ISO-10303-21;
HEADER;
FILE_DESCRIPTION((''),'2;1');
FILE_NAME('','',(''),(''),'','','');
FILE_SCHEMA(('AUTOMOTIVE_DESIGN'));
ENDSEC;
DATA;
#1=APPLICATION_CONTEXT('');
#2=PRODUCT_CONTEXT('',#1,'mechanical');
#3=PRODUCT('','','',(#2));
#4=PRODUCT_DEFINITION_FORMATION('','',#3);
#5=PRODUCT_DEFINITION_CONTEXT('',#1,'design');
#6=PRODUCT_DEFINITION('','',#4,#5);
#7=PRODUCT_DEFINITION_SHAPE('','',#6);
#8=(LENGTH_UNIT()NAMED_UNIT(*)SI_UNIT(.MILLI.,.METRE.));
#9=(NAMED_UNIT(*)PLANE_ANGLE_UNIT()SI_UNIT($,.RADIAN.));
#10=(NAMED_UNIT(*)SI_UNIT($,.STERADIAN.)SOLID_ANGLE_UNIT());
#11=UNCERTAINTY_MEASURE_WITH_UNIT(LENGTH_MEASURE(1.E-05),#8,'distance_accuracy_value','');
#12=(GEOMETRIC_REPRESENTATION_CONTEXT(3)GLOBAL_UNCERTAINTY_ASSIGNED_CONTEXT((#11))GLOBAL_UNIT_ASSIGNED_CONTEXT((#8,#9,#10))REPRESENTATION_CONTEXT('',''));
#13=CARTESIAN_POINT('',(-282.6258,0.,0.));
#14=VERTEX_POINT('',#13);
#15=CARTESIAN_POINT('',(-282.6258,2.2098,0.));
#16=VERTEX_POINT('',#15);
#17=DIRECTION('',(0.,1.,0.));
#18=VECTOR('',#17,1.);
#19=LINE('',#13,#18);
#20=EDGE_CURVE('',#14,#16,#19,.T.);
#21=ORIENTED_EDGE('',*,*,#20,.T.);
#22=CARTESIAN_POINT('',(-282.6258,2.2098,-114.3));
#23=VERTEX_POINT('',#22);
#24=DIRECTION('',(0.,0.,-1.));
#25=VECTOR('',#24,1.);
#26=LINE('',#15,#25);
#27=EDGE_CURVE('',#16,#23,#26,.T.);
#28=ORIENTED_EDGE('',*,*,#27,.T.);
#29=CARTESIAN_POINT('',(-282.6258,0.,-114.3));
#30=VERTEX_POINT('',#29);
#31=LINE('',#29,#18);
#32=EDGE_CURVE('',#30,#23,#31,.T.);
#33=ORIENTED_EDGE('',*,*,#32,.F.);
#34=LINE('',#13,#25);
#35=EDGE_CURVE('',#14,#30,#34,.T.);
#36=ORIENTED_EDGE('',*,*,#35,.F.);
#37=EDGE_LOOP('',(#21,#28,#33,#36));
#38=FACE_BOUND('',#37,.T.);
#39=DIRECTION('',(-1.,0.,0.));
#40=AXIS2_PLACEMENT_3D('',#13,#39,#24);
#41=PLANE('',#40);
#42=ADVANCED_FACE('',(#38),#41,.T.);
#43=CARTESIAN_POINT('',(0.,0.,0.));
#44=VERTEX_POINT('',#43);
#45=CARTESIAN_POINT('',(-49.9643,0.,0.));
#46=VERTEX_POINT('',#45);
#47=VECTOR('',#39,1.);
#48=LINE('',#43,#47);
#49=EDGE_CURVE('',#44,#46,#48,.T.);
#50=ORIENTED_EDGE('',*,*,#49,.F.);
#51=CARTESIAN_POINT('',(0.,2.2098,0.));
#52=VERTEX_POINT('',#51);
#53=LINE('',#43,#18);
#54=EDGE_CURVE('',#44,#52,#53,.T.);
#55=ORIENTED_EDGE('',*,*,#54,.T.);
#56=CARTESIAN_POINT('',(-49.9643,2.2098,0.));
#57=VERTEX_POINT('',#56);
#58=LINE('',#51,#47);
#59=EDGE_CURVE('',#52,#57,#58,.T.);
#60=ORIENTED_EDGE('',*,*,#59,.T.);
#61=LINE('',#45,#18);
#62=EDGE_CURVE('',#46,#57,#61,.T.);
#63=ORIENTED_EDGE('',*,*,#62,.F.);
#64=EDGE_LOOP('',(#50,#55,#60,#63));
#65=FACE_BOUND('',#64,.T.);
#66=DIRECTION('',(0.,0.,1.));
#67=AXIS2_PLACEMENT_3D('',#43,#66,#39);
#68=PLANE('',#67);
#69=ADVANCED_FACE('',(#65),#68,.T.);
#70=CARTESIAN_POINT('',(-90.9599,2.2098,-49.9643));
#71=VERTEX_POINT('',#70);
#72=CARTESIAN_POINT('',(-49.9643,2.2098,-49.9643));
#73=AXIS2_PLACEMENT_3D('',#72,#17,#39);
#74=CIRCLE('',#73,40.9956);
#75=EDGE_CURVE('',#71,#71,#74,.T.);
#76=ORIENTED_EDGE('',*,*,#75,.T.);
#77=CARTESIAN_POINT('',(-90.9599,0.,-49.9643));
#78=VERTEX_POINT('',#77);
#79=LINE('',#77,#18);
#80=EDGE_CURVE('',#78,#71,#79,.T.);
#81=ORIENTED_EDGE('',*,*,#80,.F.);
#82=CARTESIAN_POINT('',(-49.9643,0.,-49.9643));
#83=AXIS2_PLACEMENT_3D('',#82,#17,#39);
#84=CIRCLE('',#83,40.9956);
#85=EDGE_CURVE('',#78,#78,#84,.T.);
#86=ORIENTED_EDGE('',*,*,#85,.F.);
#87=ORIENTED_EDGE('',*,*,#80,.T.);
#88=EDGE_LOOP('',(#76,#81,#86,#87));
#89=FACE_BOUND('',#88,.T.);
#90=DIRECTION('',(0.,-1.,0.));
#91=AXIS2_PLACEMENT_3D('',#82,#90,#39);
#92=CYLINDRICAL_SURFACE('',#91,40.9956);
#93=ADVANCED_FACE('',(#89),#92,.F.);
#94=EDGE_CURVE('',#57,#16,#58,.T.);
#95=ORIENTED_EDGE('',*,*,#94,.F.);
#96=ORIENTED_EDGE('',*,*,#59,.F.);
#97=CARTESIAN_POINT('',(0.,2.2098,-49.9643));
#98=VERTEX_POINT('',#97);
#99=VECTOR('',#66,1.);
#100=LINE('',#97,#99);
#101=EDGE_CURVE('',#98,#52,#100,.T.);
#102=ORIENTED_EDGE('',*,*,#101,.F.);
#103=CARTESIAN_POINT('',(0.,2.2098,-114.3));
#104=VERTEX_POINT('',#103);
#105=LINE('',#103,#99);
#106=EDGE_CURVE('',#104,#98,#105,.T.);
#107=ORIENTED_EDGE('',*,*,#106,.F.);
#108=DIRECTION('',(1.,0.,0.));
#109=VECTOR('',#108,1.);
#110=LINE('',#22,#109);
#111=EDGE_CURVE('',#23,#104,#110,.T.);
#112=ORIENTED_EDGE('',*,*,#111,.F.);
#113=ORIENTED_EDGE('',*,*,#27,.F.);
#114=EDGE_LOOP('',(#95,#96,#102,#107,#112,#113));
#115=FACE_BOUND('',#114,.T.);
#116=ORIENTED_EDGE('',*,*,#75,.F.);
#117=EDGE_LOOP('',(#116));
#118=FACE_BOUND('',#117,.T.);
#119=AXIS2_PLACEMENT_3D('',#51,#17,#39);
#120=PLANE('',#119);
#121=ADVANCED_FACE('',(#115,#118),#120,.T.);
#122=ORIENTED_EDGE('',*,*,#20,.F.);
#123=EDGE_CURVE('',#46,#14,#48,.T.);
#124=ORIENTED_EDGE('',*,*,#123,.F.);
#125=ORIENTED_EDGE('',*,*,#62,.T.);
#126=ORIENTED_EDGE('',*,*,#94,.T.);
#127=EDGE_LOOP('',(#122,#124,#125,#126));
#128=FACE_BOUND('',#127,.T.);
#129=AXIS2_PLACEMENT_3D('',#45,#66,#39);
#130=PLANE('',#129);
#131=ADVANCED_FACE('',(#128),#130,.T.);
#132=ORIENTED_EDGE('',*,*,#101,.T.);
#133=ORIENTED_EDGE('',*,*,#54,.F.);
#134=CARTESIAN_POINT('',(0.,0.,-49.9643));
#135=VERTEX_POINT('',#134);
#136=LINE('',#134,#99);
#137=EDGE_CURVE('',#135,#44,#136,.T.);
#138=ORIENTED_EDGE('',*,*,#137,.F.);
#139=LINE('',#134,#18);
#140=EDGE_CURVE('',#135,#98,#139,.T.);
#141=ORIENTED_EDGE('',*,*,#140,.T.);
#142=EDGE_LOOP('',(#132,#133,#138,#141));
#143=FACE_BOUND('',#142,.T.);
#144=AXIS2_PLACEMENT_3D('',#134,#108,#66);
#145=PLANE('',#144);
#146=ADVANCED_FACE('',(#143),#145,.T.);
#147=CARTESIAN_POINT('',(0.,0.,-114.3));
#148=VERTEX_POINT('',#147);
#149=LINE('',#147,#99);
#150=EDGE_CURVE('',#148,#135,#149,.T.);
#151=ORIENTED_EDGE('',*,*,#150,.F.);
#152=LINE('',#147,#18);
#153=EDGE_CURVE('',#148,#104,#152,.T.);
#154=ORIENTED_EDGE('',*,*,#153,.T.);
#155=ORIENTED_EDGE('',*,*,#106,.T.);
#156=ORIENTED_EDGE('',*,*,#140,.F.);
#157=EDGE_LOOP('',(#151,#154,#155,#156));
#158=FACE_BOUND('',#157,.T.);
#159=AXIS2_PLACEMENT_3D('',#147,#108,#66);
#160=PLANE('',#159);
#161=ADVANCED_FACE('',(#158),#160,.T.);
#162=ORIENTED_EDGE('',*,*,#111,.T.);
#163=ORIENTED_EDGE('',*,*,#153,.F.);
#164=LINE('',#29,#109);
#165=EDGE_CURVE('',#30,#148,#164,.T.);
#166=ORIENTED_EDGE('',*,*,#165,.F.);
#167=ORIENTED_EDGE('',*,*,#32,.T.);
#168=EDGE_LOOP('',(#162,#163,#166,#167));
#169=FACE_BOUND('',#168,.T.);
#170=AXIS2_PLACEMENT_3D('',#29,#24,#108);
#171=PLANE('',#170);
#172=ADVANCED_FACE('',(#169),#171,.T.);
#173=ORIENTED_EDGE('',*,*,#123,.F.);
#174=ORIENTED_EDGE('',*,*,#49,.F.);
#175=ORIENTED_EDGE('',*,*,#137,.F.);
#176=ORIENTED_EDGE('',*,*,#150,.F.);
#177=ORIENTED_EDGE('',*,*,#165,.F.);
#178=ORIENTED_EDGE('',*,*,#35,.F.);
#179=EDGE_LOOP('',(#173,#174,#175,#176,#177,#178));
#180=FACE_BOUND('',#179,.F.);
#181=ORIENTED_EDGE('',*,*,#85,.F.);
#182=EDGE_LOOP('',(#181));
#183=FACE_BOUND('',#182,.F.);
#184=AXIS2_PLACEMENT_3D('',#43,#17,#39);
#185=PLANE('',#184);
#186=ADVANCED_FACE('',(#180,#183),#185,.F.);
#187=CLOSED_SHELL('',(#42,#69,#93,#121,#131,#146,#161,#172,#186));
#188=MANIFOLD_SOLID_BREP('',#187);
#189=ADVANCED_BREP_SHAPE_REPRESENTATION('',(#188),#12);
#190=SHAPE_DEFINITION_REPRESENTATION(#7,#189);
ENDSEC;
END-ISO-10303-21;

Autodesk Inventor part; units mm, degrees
ref_plane "YZ Plane" through (0, 0, 0) normal (1, 0, 0) x (0, 1, 0)
ref_plane "XZ Plane" through (0, 0, 0) normal (0, 1, 0) x (-1, 0, 0)
ref_plane "XY Plane" through (0, 0, 0) normal (0, 0, 1) x (1, 0, 0)
sketch "Sketch1" plane through (0, 0, 0) normal (0, 1, 0) x (-1, 0, 0)
  line L0 (0, 0) -> (49.9643, 0)
  line L1 (0, -49.9643) -> (0, 0)
  line L2 (0, 0) -> (282.6258, 0)
  line L3 (282.6258, 0) -> (282.6258, -114.3)
  line L4 (282.6258, -114.3) -> (0, -114.3)
  line L5 (0, -114.3) -> (0, 0)
  circle A0 centre (49.9643, -49.9643) radius 40.9956
  dimension "d2" = 282.6258
  dimension "d3" = 114.3
  dimension "d4" = 81.9912
extrude "Extrusion1" add sketch "Sketch1" along normal blind 2.2098
properties part number "Bearing plate version 2.0"
